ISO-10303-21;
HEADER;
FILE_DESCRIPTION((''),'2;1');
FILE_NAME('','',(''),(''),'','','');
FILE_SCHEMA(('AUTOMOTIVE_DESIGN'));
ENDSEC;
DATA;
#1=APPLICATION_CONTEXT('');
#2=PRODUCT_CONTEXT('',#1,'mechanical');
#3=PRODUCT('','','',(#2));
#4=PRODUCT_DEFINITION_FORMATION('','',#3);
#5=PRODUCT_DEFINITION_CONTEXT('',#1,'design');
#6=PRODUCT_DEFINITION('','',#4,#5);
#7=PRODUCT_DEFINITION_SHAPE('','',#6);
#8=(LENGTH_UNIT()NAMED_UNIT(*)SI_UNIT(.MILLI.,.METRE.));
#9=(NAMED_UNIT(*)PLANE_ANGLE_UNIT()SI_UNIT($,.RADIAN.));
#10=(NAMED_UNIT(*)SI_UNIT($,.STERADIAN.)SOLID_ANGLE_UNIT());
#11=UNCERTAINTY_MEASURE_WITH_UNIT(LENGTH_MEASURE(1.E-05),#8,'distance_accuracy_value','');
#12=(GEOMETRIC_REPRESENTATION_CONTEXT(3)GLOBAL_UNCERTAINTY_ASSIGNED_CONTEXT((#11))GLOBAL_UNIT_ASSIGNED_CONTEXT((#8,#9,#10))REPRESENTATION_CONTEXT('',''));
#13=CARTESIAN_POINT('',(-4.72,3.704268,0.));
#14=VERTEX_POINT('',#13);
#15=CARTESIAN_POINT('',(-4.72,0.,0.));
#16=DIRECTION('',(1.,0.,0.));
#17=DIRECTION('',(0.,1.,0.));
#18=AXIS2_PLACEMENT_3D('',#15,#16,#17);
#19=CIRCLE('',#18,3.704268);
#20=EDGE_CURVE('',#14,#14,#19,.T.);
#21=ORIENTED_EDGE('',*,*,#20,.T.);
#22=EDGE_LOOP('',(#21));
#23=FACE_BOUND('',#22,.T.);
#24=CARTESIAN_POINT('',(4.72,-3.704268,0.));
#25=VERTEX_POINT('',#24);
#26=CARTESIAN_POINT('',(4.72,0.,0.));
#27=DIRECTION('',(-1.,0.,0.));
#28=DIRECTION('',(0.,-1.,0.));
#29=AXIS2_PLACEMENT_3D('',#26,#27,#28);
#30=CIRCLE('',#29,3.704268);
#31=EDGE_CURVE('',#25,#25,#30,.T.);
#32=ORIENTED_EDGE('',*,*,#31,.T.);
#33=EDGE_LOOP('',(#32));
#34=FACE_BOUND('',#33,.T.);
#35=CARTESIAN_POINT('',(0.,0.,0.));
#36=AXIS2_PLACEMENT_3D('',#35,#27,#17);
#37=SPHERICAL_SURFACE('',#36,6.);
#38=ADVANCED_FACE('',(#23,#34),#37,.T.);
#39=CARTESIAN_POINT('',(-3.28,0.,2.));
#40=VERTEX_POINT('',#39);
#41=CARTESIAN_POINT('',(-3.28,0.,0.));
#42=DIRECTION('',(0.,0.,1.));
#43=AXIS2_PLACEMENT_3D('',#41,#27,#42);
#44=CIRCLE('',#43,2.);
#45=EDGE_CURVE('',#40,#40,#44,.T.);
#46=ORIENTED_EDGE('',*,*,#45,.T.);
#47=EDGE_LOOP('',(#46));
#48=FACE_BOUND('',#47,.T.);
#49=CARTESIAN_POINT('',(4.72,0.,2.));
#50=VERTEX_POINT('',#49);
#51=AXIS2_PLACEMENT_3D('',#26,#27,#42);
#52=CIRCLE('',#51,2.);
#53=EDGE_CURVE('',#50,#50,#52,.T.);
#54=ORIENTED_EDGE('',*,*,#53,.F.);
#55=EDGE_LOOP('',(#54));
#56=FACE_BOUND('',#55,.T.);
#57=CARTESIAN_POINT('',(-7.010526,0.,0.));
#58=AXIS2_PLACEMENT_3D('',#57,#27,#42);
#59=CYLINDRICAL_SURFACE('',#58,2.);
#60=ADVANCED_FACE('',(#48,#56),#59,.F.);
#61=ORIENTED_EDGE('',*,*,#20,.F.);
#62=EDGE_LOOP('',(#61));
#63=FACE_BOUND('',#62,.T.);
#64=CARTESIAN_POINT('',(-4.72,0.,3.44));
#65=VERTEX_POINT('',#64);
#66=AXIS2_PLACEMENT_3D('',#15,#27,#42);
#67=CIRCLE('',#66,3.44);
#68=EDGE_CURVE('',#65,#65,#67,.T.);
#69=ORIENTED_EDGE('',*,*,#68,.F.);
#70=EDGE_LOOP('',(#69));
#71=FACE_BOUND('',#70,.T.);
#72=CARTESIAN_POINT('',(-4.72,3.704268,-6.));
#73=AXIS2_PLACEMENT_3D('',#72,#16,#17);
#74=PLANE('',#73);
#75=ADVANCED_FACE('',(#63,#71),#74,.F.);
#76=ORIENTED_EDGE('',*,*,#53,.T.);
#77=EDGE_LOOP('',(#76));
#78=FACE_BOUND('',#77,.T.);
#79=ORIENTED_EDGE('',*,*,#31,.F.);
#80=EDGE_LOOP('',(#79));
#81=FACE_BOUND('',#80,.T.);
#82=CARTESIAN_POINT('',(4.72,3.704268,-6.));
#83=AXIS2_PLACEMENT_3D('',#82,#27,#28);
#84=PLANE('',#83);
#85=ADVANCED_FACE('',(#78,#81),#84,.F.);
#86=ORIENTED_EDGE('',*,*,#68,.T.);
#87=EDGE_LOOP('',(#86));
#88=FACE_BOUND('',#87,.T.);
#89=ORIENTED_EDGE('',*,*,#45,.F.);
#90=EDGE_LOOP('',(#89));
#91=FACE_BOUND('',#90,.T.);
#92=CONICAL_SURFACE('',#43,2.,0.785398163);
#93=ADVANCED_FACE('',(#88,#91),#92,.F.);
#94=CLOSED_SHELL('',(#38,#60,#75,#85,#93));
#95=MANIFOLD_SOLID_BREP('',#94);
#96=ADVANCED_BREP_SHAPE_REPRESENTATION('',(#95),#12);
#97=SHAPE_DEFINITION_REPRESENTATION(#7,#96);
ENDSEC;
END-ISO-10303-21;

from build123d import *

# Parameters (mm, degrees)
CUT_EXTRUDE2_DEPTH      = 7
CUT_EXTRUDE2_DEPTH_BACK = 7


with BuildPart() as part:
    # Sketch1 → Revolve1 (revolve)
    with BuildSketch(Plane.XY):
        with BuildLine():
            Line((-6, 0), (6, 0))
            ThreePointArc((6, 0), (0, 6), (-6, 0))
        make_face()
    revolve(axis=Axis((-13.60120179, 0, 0), (1, 0, 0)))

    # Sketch2 → Cut-Extrude2 (cut, two sides)
    with BuildSketch(Plane.XY) as cut_extrude2_sk:
        with BuildLine():
            Line((-4.72, 3.704267809), (-4.72, -3.704267809))
            ThreePointArc((-4.72, -3.704267809), (-6, 0), (-4.72, 3.704267809))
        make_face()
        with BuildLine():
            Line((4.72, 3.704267809), (4.72, -3.704267809))
            ThreePointArc((4.72, -3.704267809), (6, 0), (4.72, 3.704267809))
        make_face()
    extrude(amount=CUT_EXTRUDE2_DEPTH, mode=Mode.SUBTRACT)
    extrude(cut_extrude2_sk.sketch, amount=-CUT_EXTRUDE2_DEPTH_BACK, mode=Mode.SUBTRACT)

    # Sketch3 → Cut-Revolve1 (revolve, cut)
    with BuildSketch(Plane.XY, mode=Mode.PRIVATE) as cut_revolve1_sk:
        Polygon((-4.72, 3.44), (-3.28, 2), (4.72, 2), (4.72, 0), (-4.72, 0), align=None)
    revolve(cut_revolve1_sk.sketch.rotate(Axis((-7.010525763, 0, 0), (1, 0, 0)), 90), axis=Axis((-7.010525763, 0, 0), (1, 0, 0)), mode=Mode.SUBTRACT)  # turned: the seam where the file's is


solid = part.part
